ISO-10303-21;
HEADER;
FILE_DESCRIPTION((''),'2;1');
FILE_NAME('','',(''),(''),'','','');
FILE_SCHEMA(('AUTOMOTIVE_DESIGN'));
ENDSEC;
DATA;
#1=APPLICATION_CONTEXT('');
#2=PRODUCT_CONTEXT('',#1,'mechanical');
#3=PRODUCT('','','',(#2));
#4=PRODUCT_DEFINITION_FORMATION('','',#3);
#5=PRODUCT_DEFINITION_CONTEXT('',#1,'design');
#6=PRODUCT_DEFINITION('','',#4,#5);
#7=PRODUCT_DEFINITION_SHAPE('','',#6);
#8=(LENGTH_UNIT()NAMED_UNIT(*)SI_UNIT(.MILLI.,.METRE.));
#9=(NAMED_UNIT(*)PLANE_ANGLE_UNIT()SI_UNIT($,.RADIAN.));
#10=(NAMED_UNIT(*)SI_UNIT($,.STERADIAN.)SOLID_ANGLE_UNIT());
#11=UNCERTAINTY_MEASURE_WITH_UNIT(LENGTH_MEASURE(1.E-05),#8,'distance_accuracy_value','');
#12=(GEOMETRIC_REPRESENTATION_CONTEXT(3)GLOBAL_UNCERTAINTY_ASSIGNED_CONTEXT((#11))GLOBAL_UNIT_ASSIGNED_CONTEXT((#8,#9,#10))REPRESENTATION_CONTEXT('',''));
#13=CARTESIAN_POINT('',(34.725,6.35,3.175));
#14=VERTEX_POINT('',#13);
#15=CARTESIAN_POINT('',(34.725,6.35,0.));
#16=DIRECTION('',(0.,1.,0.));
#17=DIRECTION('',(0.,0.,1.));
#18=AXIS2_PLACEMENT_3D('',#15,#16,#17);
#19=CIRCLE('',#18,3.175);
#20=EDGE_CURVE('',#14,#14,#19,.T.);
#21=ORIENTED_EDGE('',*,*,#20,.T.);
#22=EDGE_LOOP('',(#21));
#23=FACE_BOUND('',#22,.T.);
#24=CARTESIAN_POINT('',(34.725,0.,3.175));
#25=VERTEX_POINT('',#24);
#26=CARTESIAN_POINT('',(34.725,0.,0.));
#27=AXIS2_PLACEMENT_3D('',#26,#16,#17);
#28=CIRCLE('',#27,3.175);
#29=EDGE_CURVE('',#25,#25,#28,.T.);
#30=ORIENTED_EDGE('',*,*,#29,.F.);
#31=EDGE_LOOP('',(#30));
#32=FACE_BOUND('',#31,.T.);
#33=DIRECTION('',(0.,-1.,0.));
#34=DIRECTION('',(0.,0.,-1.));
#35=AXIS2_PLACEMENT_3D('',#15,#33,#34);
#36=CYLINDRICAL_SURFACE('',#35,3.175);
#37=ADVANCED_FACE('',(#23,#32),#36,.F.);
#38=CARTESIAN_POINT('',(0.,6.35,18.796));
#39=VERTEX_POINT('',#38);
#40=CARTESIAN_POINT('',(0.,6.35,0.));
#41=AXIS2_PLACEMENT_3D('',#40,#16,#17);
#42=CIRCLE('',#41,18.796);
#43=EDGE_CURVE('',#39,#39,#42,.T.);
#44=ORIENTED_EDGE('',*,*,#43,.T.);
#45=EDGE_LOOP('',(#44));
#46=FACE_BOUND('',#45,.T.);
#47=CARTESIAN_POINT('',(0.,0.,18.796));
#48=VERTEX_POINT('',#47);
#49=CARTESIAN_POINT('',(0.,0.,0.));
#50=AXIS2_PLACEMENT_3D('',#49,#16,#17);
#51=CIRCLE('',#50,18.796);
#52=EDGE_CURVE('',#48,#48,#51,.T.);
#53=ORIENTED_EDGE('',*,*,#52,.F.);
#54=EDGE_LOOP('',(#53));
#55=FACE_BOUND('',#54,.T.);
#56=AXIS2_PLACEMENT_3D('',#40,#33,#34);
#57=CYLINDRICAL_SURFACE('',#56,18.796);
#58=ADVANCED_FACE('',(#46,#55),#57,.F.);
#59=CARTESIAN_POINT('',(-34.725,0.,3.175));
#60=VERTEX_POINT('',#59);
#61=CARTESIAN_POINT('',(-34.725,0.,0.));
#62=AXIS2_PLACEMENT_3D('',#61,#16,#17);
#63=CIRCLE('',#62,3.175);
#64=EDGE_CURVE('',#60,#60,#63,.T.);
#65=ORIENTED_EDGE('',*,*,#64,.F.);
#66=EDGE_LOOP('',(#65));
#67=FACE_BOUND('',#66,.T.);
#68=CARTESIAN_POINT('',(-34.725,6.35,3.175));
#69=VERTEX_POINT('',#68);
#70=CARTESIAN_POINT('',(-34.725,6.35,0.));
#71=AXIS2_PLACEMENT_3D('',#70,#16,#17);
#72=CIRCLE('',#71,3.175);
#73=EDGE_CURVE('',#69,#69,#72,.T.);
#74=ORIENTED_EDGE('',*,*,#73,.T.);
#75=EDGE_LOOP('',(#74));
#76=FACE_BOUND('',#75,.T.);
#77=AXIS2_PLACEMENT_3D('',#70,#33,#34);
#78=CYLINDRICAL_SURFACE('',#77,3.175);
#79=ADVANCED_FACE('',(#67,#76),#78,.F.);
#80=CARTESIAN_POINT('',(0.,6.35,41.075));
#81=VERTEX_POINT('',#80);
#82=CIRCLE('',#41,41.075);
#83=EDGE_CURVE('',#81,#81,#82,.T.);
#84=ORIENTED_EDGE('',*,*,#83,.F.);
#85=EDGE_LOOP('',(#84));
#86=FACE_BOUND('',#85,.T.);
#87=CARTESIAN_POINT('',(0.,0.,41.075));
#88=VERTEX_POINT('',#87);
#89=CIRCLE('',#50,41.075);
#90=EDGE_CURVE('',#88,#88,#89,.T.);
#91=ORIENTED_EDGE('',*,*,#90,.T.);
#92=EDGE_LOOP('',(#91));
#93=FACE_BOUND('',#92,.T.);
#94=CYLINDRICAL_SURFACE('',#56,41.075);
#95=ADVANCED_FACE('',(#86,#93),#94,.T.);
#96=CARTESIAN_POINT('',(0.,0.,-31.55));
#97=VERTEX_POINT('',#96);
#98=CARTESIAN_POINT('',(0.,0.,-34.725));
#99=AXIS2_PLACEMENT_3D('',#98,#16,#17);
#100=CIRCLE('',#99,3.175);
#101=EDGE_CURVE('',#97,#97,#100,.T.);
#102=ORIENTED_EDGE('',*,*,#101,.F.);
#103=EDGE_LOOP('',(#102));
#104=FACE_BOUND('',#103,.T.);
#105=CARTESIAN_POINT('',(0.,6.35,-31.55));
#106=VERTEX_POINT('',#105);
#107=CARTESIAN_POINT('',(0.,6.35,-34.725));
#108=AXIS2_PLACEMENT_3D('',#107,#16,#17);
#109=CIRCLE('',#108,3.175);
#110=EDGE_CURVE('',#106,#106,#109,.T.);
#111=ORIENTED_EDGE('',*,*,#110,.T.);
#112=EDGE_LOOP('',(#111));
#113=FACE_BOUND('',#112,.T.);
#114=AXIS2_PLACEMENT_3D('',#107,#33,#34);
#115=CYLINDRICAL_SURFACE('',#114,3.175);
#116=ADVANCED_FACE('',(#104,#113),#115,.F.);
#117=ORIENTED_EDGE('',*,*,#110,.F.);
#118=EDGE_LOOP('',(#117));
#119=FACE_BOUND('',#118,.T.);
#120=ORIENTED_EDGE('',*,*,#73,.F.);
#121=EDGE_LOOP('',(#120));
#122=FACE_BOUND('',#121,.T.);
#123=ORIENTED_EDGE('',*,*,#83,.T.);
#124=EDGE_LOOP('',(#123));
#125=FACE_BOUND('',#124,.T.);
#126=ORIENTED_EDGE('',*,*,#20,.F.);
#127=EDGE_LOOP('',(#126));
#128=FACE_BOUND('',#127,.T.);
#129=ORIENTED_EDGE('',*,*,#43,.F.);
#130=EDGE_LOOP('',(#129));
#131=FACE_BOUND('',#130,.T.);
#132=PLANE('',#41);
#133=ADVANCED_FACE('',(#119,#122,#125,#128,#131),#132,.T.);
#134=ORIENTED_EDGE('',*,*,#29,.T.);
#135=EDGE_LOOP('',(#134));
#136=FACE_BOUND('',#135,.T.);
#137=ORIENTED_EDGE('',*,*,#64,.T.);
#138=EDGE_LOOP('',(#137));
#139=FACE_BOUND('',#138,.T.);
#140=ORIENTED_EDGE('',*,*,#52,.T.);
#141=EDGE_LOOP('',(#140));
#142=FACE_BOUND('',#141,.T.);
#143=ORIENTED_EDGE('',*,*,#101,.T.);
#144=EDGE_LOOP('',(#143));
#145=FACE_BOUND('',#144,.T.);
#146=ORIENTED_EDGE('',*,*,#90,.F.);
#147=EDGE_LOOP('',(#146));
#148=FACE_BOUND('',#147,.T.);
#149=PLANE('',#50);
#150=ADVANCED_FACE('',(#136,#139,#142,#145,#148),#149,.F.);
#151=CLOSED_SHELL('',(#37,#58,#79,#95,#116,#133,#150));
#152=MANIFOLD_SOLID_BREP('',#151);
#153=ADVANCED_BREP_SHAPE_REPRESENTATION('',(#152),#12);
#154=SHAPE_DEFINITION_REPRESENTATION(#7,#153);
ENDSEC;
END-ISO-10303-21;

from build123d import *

# Parameters (mm, degrees)
SKETCH1_R           = 41.075
SKETCH1_R_2         = 3.175
SKETCH1_R_3         = 18.796
BOSS_EXTRUDE2_DEPTH = 6.35


with BuildPart() as part:
    # Sketch1 → Boss-Extrude2 (new body)
    with BuildSketch(Plane(origin=(0, 0, 0), x_dir=(1, 0, 0), z_dir=(0, 1, 0))):
        Circle(SKETCH1_R)
        with Locations((0, 34.725)):
            Circle(SKETCH1_R_2, mode=Mode.SUBTRACT)
        with Locations((34.725, 0)):
            Circle(SKETCH1_R_2, mode=Mode.SUBTRACT)
        with Locations((-34.725, 0)):
            Circle(SKETCH1_R_2, mode=Mode.SUBTRACT)
        Circle(SKETCH1_R_3, mode=Mode.SUBTRACT)
    extrude(amount=BOSS_EXTRUDE2_DEPTH)


solid = part.part
